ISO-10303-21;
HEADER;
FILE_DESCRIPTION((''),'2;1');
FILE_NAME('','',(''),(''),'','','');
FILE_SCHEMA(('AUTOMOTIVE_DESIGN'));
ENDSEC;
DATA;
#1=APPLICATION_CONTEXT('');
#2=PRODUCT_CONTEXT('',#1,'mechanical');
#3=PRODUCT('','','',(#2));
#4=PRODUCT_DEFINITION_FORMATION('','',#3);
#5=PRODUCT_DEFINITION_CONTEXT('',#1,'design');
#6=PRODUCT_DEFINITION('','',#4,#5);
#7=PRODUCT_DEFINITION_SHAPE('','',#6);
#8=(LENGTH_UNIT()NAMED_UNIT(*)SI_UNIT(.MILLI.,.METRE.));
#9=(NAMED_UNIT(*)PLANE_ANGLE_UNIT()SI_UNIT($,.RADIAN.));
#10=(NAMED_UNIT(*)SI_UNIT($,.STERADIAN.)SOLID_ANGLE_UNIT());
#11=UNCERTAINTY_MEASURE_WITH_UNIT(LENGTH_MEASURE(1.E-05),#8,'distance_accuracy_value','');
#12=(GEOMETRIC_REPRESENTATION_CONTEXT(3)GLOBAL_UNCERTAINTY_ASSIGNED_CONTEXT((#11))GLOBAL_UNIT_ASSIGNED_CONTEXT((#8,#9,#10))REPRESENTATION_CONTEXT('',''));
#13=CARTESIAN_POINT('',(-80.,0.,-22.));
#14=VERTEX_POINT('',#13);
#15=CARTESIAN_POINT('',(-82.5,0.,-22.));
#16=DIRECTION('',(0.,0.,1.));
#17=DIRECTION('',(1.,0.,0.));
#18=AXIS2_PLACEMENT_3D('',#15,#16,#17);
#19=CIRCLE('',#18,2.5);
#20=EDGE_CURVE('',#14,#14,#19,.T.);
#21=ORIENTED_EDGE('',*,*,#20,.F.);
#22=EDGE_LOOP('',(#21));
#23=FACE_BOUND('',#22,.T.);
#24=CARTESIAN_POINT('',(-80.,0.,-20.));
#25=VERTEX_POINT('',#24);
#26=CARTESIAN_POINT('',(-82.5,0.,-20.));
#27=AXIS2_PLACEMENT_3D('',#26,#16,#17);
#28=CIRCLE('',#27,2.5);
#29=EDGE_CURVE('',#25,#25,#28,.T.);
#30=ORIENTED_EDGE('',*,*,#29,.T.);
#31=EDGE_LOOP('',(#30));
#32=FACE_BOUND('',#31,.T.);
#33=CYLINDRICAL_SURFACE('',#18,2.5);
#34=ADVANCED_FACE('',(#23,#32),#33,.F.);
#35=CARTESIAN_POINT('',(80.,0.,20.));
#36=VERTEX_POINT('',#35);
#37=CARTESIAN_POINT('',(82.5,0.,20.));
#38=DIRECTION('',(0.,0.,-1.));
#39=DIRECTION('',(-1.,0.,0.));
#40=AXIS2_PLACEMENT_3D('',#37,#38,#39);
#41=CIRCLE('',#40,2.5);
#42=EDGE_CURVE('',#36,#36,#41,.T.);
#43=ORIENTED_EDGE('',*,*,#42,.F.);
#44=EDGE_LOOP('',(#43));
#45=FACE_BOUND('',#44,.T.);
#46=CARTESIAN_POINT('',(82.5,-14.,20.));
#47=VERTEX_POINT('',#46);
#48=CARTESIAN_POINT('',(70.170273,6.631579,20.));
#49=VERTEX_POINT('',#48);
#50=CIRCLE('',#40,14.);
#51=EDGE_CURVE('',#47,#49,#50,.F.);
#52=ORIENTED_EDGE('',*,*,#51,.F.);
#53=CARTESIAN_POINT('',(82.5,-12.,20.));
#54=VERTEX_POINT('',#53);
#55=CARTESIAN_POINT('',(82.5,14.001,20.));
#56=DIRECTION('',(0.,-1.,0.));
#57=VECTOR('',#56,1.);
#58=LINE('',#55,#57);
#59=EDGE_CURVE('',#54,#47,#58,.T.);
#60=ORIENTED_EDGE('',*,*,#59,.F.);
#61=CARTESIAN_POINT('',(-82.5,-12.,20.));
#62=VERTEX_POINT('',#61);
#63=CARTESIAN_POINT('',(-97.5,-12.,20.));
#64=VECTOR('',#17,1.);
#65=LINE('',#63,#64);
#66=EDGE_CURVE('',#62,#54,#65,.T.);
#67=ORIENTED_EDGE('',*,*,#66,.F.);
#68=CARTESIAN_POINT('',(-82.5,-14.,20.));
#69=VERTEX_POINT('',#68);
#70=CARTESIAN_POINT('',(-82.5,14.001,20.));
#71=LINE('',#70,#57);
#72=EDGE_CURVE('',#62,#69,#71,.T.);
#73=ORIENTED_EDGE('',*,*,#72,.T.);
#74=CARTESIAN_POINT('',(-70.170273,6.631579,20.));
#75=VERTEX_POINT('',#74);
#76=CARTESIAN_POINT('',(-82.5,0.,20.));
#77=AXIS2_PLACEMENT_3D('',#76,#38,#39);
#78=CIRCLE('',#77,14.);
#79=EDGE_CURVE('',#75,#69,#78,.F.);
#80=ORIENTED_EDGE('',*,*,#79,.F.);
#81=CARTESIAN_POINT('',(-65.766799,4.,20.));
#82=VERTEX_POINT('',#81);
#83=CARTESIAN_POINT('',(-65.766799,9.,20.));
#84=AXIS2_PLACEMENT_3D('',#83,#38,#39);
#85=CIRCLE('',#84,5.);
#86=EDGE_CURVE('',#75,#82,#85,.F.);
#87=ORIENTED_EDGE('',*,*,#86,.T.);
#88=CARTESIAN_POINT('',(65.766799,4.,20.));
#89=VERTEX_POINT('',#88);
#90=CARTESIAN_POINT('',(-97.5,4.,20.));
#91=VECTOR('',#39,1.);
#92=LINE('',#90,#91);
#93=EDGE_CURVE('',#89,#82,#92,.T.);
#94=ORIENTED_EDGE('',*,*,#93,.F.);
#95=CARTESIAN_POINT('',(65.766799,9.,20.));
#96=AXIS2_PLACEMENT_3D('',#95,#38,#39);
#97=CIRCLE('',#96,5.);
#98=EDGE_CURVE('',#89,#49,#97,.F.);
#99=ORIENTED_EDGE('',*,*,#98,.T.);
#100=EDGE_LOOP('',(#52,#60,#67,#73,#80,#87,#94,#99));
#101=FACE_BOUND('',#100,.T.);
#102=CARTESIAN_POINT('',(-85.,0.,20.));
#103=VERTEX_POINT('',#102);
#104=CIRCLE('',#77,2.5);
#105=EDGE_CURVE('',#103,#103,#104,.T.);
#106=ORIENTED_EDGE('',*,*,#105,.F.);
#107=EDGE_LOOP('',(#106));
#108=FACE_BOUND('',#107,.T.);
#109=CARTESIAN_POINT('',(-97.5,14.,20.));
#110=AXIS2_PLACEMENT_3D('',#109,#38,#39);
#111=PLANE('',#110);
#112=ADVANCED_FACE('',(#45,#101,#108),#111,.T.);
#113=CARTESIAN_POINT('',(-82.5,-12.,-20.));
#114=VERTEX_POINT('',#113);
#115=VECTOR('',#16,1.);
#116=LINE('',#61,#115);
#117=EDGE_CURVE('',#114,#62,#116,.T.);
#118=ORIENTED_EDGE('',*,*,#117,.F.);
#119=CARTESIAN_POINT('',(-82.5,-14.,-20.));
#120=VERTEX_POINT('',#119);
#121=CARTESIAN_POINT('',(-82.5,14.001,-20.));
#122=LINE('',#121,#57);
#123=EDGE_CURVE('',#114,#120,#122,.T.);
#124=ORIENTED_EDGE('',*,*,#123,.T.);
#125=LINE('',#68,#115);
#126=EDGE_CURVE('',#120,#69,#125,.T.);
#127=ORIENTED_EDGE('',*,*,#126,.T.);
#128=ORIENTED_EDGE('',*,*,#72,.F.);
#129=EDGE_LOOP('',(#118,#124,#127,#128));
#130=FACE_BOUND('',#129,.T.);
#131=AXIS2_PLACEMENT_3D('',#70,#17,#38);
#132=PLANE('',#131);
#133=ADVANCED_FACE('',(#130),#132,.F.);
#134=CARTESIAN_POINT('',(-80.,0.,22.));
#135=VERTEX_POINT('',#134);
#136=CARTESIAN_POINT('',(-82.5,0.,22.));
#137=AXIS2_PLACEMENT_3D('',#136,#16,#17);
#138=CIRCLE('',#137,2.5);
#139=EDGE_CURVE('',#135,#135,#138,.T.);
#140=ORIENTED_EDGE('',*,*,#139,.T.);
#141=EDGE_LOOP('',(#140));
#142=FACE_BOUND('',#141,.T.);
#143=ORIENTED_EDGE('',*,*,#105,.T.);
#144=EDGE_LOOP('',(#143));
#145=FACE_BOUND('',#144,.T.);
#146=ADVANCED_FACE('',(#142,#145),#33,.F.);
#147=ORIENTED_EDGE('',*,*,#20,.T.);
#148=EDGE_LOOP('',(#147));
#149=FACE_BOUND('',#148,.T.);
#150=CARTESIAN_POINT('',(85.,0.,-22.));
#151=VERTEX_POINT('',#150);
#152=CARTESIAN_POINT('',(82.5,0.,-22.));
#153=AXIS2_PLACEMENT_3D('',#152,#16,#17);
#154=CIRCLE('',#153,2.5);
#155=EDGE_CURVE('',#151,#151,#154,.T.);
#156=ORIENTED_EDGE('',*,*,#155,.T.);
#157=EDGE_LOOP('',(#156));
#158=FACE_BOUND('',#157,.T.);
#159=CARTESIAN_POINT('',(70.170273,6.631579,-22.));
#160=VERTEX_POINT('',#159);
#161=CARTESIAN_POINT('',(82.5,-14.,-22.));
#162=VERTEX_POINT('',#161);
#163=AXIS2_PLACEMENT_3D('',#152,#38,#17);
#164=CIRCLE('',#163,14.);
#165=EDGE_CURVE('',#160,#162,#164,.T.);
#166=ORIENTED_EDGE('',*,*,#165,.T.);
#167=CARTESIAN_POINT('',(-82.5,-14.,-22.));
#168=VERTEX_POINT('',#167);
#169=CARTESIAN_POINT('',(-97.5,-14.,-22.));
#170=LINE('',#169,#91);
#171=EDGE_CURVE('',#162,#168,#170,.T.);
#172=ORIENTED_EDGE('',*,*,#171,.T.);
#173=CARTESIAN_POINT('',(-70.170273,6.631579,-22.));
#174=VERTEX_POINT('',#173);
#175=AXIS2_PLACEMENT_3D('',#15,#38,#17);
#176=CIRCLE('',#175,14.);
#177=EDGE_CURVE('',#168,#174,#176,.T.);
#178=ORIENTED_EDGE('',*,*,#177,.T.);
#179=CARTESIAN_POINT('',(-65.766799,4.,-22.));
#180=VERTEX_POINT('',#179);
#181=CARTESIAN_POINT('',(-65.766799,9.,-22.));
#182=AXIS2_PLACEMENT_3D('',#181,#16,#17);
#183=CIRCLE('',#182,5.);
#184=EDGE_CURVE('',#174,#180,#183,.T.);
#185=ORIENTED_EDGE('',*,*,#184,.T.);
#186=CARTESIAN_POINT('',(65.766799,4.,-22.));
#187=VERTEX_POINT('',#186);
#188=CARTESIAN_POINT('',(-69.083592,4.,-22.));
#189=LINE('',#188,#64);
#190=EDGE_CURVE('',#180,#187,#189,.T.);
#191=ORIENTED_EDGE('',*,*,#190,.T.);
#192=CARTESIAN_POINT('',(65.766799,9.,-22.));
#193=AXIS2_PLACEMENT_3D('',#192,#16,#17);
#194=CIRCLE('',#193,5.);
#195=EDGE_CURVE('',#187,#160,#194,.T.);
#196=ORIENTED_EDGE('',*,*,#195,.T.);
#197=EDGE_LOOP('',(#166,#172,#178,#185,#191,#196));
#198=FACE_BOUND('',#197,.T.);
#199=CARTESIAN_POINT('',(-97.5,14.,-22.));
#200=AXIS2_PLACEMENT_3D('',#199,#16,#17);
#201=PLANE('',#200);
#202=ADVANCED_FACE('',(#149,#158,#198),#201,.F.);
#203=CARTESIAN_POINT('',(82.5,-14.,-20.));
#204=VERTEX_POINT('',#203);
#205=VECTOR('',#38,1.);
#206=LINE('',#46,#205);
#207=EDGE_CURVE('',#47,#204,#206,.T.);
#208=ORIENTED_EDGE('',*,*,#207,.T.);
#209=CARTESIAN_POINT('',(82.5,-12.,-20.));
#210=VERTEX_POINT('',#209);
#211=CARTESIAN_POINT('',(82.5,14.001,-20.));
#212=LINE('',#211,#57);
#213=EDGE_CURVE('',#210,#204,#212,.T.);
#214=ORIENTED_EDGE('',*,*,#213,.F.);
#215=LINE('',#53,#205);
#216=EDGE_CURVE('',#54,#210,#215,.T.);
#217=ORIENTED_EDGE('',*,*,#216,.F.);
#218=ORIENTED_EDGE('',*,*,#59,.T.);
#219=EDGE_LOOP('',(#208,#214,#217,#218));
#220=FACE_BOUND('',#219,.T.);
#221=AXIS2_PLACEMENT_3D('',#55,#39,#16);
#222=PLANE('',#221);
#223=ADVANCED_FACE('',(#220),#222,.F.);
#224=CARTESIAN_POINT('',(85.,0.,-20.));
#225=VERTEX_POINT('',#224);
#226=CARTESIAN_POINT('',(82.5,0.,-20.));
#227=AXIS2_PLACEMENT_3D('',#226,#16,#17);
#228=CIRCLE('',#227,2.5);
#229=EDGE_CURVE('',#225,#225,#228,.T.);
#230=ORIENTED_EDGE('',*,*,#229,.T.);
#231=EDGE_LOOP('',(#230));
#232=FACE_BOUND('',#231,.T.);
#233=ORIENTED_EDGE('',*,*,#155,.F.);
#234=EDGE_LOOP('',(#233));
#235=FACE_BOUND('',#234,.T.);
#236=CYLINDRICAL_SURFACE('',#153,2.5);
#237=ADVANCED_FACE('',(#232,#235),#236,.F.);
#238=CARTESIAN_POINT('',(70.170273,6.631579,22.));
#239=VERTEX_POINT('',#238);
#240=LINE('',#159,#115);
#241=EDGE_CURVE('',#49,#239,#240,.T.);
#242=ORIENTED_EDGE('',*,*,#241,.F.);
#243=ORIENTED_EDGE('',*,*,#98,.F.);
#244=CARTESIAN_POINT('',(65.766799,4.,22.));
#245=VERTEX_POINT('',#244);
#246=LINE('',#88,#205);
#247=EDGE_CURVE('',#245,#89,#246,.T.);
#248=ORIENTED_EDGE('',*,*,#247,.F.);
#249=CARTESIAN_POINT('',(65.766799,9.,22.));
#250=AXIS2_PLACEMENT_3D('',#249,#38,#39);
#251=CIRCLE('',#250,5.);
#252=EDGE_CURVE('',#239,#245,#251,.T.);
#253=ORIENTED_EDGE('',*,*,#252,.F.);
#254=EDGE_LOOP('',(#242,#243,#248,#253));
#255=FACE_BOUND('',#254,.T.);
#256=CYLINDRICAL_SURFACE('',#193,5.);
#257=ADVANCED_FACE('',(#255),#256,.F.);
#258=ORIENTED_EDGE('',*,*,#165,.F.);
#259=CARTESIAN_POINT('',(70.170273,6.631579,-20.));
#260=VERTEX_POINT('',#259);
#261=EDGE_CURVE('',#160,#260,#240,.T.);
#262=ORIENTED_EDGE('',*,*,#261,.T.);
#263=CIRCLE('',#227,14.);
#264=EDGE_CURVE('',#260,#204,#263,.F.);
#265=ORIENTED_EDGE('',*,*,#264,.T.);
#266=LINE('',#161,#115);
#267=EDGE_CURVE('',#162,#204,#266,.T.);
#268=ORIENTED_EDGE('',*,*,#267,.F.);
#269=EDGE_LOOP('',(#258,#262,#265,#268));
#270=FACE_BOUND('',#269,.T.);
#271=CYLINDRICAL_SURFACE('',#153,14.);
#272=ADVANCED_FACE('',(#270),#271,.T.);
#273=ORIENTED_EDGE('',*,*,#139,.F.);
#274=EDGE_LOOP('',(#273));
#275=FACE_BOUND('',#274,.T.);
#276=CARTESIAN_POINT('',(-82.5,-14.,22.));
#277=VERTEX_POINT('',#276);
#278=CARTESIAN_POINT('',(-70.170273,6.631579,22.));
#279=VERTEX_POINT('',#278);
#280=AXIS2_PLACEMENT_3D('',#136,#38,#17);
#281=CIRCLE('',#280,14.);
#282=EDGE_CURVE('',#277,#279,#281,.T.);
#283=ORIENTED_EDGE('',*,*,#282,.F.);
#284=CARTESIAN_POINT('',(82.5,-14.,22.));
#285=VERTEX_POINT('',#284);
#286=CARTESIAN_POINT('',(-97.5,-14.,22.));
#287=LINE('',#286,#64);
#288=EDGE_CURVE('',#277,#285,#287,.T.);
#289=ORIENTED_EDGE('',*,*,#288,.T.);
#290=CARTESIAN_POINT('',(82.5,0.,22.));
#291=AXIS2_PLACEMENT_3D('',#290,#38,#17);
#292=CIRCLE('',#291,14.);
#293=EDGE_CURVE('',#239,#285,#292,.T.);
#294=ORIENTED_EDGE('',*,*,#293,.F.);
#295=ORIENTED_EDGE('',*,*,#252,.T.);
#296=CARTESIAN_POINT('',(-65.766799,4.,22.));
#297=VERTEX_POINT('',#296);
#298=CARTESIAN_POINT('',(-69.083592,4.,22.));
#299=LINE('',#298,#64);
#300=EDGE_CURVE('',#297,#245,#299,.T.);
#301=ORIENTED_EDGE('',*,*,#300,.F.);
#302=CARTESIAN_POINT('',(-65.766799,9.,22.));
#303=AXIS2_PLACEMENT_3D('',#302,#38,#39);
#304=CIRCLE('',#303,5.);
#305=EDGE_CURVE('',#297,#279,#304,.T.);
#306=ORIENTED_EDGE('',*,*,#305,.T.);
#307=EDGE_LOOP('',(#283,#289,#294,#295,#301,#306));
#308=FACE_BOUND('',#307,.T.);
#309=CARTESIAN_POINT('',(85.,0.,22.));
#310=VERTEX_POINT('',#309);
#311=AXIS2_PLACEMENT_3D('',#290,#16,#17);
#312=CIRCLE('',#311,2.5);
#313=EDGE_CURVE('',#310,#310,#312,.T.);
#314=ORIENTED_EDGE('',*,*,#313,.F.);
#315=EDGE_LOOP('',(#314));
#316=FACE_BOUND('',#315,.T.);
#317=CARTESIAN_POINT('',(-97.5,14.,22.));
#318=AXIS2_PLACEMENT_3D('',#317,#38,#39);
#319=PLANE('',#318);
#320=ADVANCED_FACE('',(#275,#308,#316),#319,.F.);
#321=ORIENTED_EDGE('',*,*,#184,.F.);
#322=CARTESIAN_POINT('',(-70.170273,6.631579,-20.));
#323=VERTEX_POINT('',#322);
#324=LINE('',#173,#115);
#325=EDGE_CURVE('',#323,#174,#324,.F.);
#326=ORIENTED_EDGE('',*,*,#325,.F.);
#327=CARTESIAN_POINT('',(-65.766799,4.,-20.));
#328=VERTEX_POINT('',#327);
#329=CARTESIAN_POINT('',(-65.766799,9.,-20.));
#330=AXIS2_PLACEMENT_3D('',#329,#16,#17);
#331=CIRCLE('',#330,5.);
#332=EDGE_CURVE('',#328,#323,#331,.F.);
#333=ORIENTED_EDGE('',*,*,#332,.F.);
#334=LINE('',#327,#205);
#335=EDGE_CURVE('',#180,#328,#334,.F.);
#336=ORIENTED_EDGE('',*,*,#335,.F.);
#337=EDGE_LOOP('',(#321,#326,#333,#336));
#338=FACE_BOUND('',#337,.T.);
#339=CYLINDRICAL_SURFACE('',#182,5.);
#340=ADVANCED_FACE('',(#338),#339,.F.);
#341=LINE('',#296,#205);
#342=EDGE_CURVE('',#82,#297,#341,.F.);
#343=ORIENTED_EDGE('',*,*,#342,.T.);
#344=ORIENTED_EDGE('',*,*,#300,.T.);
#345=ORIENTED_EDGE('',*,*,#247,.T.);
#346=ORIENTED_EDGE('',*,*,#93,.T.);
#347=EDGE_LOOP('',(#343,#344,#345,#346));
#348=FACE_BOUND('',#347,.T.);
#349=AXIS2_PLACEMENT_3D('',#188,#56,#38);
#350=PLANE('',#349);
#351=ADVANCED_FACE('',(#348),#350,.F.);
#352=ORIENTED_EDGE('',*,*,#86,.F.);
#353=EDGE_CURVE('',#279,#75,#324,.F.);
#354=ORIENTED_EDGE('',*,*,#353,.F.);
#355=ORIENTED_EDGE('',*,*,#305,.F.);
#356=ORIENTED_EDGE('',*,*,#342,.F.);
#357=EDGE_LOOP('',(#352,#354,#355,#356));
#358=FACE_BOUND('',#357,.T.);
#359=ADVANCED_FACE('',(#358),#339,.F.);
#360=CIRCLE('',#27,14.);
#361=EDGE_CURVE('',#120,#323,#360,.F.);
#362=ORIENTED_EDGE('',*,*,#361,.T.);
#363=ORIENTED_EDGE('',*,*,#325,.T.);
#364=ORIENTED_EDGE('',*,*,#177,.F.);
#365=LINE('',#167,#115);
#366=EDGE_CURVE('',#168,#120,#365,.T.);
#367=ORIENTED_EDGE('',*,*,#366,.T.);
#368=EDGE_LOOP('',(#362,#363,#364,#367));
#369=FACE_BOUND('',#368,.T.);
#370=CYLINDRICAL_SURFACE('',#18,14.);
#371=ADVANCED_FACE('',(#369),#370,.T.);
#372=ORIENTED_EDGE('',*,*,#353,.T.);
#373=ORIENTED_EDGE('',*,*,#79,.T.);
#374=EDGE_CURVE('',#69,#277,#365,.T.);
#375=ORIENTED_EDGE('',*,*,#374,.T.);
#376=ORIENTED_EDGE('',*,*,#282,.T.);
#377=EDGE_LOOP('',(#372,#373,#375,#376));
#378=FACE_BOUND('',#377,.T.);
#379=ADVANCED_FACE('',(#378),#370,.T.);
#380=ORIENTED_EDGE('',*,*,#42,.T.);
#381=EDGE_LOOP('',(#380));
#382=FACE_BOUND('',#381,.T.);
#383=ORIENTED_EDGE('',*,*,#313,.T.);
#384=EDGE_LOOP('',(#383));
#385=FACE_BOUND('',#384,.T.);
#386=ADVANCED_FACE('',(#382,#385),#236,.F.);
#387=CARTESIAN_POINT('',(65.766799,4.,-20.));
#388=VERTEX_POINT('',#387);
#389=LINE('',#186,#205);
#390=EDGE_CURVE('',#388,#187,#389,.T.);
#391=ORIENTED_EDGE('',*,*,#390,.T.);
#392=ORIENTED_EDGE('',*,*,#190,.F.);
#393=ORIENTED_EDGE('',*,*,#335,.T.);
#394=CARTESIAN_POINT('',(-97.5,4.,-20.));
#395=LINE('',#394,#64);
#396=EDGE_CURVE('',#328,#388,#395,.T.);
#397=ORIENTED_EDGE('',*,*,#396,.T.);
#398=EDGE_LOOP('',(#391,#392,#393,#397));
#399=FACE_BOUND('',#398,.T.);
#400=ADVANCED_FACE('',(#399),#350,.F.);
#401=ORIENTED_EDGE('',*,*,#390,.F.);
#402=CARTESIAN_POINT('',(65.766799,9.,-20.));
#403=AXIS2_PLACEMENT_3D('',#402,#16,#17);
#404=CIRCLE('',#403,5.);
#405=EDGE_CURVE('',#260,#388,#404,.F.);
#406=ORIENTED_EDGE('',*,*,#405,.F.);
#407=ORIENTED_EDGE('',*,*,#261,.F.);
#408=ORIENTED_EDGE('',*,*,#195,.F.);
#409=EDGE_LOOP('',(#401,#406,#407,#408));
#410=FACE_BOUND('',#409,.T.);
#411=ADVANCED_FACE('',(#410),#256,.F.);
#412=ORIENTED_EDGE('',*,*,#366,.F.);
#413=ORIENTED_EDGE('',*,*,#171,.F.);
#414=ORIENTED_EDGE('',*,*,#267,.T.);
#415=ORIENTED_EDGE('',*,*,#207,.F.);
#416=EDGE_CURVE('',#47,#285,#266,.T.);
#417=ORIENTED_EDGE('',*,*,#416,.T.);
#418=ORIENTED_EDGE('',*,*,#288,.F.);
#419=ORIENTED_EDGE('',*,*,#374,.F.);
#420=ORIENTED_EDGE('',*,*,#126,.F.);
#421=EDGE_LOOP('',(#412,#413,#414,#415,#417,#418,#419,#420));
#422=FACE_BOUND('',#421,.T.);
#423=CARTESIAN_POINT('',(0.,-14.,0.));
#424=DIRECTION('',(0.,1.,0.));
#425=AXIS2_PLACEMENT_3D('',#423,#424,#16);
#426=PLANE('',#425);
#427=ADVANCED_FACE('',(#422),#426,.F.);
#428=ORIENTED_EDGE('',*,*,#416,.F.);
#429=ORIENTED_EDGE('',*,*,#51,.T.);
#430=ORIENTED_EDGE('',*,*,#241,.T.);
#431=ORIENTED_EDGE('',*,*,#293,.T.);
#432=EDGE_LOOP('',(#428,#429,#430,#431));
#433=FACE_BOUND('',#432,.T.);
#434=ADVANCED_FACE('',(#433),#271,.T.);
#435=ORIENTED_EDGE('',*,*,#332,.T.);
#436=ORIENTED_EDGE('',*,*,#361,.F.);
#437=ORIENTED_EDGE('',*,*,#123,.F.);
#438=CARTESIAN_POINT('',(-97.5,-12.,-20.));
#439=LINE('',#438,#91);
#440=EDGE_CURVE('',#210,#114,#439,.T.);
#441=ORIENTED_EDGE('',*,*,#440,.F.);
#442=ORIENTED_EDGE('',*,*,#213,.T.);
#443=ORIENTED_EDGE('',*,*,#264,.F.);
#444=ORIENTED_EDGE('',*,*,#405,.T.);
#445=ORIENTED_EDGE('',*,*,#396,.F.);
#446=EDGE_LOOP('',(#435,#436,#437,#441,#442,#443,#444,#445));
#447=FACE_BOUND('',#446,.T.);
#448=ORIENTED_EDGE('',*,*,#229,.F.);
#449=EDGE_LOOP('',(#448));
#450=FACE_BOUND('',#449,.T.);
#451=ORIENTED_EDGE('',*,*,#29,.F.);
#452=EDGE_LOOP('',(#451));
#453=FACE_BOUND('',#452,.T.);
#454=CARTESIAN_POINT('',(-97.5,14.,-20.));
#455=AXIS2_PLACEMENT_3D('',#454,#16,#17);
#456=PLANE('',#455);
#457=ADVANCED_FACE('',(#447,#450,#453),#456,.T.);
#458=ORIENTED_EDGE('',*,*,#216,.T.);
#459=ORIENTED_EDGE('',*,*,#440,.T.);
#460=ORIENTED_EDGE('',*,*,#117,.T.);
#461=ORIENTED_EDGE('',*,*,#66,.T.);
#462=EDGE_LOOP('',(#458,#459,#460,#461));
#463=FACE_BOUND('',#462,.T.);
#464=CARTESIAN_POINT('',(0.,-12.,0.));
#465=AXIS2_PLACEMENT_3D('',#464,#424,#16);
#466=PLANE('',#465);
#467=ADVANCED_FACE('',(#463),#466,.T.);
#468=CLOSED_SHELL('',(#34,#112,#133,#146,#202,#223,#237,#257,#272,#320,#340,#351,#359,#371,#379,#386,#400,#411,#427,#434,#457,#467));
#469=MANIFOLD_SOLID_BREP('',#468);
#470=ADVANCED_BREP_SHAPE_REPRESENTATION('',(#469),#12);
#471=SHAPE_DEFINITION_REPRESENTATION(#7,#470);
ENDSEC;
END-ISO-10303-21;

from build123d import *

# Parameters (mm, degrees)
SKETCH2_W                      = 195
SKETCH2_H                      = 44
BOSS_EXTRUDE1_DEPTH            = 14
SHELL1_T                       = -2
SKETCH3_R                      = 2.5
CUT_EXTRUDE1_DEPTH             = 108.880721169
CUT_EXTRUDE2_REACH             = 196.754
SKETCH4_W                      = 40
SKETCH4_H                      = 26
CUT_EXTRUDE2_DIRECTION_2_REACH = 196.754
CUT_EXTRUDE3_DEPTH             = 101.926953783
CUT_EXTRUDE3_DEPTH_BACK        = 101.926953783
CUT_EXTRUDE4_REACH             = 104.86
SKETCH7_W                      = 7.211102551
SKETCH7_H                      = 40
FILLET1_R                      = 5


with BuildPart() as part:
    # Sketch2 → Boss-Extrude1 (new, symmetric)
    with BuildSketch(Plane(origin=(0, 0, 0), x_dir=(1, 0, 0), z_dir=(0, 1, 0))):
        Rectangle(SKETCH2_W, SKETCH2_H)
    extrude(amount=BOSS_EXTRUDE1_DEPTH, both=True)

    # Shell1
    shell1_openings = [part.faces().sort_by_distance(p)[0] for p in [
        (0, 14, 0),
    ]]
    offset(amount=SHELL1_T, openings=shell1_openings, kind=Kind.INTERSECTION)

    # Sketch3 → Cut-Extrude1 (cut, through all)
    with BuildSketch(Plane.XY.offset(22)):
        with Locations((-82.5, 0)):
            Circle(SKETCH3_R)
        with Locations((82.5, 0)):
            Circle(SKETCH3_R)
    extrude(amount=-CUT_EXTRUDE1_DEPTH, mode=Mode.SUBTRACT)

    # Sketch4 → Cut-Extrude2 (cut, up to next)
    with BuildSketch(Plane(origin=(-95.5, 0, 0), x_dir=(0, 0, -1), z_dir=(1, 0, 0)), mode=Mode.PRIVATE) as cut_extrude2_sk1:
        with Locations((0, 1)):
            Rectangle(SKETCH4_W, SKETCH4_H)
    cut_extrude2_tool1 = extrude(cut_extrude2_sk1.sketch, amount=-CUT_EXTRUDE2_REACH, mode=Mode.PRIVATE) & part.part
    add(cut_extrude2_tool1.solids().sort_by_distance((-95.5, 1, 0))[0], mode=Mode.SUBTRACT)

    # Sketch4 → Cut-Extrude2 direction 2 (cut, up to next)
    with BuildSketch(Plane(origin=(-95.5, 0, 0), x_dir=(0, 0, -1), z_dir=(1, 0, 0)), mode=Mode.PRIVATE) as cut_extrude2_direction_2_sk1:
        with Locations((0, 1)):
            Rectangle(SKETCH4_W, SKETCH4_H)
    cut_extrude2_direction_2_tool1 = extrude(cut_extrude2_direction_2_sk1.sketch, amount=CUT_EXTRUDE2_DIRECTION_2_REACH, mode=Mode.PRIVATE) & part.part
    add(cut_extrude2_direction_2_tool1.solids().sort_by_distance((-95.5, 1, 0))[0], mode=Mode.SUBTRACT)

    # Sketch6 → Cut-Extrude3 (cut, two sides: drawn at the far end of the back side and taken through both)
    with BuildSketch(Plane.XY.offset(-CUT_EXTRUDE3_DEPTH_BACK)):
        with BuildLine():
            Line((-69.083592135, 4), (69.083592135, 4))
            ThreePointArc((69.083592135, 4), (93.72497216, 8.366600265), (82.5, -14))
            Line((82.5, -14), (97.5, -14))
            Line((97.5, -14), (97.5, 24))
            Line((97.5, 24), (-97.5, 24))
            Line((-97.5, 24), (-97.5, -14))
            Line((-97.5, -14), (-82.5, -14))
            ThreePointArc((-82.5, -14), (-93.72497216, 8.366600265), (-69.083592135, 4))
        make_face()
    extrude(amount=CUT_EXTRUDE3_DEPTH + CUT_EXTRUDE3_DEPTH_BACK, mode=Mode.SUBTRACT)

    # Sketch7 → Cut-Extrude4 (cut, up to next)
    with BuildSketch(Plane.XZ.offset(14), mode=Mode.PRIVATE) as cut_extrude4_sk1:
        with Locations((86.105551276, 0)):
            Rectangle(SKETCH7_W, SKETCH7_H)
    cut_extrude4_tool1 = extrude(cut_extrude4_sk1.sketch, amount=-CUT_EXTRUDE4_REACH, mode=Mode.PRIVATE) & part.part
    # Sketch7 → Cut-Extrude4 (cut, up to next)
    with BuildSketch(Plane.XZ.offset(14), mode=Mode.PRIVATE) as cut_extrude4_sk2:
        with Locations((-86.105551276, 0)):
            Rectangle(SKETCH7_W, SKETCH7_H)
    cut_extrude4_tool2 = extrude(cut_extrude4_sk2.sketch, amount=-CUT_EXTRUDE4_REACH, mode=Mode.PRIVATE) & part.part
    add(cut_extrude4_tool1.solids().sort_by_distance((86.105551, -14, 0))[0], mode=Mode.SUBTRACT)
    add(cut_extrude4_tool2.solids().sort_by_distance((-86.105551, -14, 0))[0], mode=Mode.SUBTRACT)

    # Fillet1
    fillet1_edges = [part.edges().sort_by_distance(p)[0] for p in [
        (69.083592135, 4, -21),
        (-69.083592135, 4, 21),
        (-69.083592135, 4, -21),
        (69.083592135, 4, 21),
    ]]
    fillet(fillet1_edges, radius=FILLET1_R)


solid = part.part
